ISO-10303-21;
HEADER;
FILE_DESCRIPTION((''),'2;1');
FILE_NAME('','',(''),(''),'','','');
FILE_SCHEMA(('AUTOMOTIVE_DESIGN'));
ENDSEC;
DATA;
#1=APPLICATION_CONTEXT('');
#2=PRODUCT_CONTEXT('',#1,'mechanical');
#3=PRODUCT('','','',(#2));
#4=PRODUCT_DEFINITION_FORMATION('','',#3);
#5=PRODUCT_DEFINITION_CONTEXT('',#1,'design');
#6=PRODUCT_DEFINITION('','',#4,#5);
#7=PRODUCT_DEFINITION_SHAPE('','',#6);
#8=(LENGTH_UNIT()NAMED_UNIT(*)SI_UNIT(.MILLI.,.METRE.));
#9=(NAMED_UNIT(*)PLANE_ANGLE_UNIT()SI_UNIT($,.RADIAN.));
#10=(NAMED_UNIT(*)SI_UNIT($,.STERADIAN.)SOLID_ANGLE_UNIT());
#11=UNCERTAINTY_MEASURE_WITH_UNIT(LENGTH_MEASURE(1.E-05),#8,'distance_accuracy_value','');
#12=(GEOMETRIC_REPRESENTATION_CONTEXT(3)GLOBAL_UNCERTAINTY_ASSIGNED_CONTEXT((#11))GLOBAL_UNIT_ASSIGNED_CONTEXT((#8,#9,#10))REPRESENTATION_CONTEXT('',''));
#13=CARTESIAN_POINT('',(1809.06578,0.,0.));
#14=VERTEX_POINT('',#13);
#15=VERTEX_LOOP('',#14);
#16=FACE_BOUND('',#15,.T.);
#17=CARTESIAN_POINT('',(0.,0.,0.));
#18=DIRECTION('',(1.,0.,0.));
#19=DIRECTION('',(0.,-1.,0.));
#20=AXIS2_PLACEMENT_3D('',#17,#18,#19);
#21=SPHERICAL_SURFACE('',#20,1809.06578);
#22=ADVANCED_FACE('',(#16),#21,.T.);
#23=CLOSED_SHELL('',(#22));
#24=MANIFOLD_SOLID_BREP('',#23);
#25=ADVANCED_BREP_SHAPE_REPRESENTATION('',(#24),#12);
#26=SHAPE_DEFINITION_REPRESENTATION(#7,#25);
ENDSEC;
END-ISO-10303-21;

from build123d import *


with BuildPart() as part:
    # Sketch2 → Revolve1 (revolve)
    with BuildSketch(Plane.XY):
        with BuildLine():
            Line((1809.06577988, 0), (-1809.06577988, 0))
            ThreePointArc((-1809.06577988, 0), (0, 1809.06577988), (1809.06577988, 0))
        make_face()
    revolve(axis=Axis((1809.06577988, 0, 0), (-1, 0, 0)))


solid = part.part
